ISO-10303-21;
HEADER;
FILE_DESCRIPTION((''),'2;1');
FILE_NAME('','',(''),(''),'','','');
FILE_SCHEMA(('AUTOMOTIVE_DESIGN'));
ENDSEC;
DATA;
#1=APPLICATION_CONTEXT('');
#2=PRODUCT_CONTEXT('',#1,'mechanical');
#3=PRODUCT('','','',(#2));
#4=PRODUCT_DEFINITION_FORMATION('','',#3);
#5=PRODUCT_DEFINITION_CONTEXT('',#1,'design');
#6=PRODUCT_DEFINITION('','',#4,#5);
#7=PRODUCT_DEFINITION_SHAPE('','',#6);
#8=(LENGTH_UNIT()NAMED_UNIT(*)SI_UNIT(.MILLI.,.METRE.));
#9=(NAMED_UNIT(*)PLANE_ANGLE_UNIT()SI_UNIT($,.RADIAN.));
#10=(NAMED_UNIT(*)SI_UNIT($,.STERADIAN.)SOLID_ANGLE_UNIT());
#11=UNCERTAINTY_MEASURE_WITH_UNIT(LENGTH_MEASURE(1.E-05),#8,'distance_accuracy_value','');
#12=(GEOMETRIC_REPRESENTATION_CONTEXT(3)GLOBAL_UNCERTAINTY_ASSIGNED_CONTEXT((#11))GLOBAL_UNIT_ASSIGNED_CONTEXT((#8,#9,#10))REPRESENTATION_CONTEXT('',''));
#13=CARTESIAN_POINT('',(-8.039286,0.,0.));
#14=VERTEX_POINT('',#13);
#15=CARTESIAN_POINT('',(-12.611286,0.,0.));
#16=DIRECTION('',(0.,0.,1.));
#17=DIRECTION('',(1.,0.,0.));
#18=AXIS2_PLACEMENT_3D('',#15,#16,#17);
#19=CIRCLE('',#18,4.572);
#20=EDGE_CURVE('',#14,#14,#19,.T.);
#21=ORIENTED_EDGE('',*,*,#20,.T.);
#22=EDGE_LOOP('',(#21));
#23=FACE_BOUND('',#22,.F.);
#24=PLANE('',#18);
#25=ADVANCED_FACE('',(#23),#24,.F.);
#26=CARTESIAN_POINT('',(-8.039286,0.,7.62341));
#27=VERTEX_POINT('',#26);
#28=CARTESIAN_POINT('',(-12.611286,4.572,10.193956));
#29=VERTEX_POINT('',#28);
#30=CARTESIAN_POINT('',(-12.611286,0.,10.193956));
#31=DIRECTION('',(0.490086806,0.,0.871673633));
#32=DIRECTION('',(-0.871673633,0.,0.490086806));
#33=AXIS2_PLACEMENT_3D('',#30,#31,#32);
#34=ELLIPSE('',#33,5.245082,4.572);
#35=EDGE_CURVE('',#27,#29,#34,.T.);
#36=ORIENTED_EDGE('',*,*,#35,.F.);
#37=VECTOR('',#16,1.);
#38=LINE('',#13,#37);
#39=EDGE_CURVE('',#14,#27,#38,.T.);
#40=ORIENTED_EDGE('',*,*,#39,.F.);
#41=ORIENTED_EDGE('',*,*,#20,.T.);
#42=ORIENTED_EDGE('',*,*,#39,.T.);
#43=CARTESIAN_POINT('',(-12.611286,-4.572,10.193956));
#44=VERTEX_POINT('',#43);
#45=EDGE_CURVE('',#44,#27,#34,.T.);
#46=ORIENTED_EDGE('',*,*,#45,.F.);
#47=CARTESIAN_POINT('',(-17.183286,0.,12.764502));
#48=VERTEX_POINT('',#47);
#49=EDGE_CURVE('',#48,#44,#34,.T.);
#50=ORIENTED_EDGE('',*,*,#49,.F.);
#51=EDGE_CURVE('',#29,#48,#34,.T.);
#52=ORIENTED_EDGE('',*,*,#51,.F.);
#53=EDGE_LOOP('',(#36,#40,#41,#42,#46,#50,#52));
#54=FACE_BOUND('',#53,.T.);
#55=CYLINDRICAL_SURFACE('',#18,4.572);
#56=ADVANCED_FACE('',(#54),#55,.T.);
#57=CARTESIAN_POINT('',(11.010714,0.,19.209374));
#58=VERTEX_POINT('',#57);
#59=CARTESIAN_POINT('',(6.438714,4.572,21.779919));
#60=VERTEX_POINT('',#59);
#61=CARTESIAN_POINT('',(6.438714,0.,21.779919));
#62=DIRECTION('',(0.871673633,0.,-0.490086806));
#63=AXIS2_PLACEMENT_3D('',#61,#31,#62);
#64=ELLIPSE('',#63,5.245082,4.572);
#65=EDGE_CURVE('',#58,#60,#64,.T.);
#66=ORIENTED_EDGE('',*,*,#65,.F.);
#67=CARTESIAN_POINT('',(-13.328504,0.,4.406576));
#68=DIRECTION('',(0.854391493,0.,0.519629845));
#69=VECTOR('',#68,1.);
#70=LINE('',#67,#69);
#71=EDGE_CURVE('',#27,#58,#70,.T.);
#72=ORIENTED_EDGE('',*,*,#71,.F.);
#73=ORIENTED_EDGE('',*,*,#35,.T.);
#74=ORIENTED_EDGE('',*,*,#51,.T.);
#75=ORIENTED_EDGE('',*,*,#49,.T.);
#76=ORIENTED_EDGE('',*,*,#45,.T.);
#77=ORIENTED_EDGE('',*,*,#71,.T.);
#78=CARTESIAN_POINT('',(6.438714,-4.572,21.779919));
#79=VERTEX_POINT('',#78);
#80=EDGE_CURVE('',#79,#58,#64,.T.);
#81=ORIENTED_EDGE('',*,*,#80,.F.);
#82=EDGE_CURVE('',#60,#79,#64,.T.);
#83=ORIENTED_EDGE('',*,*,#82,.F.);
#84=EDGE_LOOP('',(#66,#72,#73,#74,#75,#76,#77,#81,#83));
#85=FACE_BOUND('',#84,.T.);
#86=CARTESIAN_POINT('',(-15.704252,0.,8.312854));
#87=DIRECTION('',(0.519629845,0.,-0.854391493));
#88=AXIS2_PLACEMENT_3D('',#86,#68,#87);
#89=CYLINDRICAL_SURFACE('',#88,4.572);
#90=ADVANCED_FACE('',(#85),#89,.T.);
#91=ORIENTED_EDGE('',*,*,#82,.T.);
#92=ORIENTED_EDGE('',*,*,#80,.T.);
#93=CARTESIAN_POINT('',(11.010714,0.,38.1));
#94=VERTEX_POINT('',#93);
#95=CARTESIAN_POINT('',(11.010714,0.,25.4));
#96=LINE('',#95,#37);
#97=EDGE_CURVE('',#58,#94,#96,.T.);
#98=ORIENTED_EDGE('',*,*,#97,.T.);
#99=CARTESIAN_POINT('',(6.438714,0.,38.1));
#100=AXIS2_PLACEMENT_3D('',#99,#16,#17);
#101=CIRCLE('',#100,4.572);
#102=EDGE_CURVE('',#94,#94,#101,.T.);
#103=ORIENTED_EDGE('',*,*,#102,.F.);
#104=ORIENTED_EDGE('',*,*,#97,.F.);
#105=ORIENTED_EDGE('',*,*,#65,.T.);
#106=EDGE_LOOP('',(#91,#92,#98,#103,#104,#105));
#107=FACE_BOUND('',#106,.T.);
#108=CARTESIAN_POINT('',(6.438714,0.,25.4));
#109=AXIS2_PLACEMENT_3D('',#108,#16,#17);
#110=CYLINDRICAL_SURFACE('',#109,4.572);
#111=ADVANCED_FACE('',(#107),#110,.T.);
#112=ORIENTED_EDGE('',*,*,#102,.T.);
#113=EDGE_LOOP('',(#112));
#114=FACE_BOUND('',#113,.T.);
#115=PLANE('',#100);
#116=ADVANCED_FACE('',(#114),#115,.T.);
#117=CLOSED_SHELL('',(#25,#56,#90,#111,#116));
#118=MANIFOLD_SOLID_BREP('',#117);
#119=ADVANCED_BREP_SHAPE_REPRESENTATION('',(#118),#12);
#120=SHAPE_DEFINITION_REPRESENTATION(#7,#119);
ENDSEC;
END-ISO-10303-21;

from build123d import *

# Parameters (mm, degrees)
F1_R = 4.572


with BuildPart() as f2:
    # F2: sweep along a path in F0
    with BuildLine(Plane.XZ) as f2_path:
        Line((-19.05, 0), (-19.05, 13.8140366236))
        Line((-19.05, 13.8140366236), (0, 25.4))
        Line((0, 25.4), (0, 38.1))
    # F1 (on Top) → F2 (sweep)
    with BuildSketch(Plane.XY):
        with Locations((-12.6112857834, 0)):
            Circle(F1_R)
    sweep(path=f2_path.line, transition=Transition.RIGHT)


solid = f2.part
